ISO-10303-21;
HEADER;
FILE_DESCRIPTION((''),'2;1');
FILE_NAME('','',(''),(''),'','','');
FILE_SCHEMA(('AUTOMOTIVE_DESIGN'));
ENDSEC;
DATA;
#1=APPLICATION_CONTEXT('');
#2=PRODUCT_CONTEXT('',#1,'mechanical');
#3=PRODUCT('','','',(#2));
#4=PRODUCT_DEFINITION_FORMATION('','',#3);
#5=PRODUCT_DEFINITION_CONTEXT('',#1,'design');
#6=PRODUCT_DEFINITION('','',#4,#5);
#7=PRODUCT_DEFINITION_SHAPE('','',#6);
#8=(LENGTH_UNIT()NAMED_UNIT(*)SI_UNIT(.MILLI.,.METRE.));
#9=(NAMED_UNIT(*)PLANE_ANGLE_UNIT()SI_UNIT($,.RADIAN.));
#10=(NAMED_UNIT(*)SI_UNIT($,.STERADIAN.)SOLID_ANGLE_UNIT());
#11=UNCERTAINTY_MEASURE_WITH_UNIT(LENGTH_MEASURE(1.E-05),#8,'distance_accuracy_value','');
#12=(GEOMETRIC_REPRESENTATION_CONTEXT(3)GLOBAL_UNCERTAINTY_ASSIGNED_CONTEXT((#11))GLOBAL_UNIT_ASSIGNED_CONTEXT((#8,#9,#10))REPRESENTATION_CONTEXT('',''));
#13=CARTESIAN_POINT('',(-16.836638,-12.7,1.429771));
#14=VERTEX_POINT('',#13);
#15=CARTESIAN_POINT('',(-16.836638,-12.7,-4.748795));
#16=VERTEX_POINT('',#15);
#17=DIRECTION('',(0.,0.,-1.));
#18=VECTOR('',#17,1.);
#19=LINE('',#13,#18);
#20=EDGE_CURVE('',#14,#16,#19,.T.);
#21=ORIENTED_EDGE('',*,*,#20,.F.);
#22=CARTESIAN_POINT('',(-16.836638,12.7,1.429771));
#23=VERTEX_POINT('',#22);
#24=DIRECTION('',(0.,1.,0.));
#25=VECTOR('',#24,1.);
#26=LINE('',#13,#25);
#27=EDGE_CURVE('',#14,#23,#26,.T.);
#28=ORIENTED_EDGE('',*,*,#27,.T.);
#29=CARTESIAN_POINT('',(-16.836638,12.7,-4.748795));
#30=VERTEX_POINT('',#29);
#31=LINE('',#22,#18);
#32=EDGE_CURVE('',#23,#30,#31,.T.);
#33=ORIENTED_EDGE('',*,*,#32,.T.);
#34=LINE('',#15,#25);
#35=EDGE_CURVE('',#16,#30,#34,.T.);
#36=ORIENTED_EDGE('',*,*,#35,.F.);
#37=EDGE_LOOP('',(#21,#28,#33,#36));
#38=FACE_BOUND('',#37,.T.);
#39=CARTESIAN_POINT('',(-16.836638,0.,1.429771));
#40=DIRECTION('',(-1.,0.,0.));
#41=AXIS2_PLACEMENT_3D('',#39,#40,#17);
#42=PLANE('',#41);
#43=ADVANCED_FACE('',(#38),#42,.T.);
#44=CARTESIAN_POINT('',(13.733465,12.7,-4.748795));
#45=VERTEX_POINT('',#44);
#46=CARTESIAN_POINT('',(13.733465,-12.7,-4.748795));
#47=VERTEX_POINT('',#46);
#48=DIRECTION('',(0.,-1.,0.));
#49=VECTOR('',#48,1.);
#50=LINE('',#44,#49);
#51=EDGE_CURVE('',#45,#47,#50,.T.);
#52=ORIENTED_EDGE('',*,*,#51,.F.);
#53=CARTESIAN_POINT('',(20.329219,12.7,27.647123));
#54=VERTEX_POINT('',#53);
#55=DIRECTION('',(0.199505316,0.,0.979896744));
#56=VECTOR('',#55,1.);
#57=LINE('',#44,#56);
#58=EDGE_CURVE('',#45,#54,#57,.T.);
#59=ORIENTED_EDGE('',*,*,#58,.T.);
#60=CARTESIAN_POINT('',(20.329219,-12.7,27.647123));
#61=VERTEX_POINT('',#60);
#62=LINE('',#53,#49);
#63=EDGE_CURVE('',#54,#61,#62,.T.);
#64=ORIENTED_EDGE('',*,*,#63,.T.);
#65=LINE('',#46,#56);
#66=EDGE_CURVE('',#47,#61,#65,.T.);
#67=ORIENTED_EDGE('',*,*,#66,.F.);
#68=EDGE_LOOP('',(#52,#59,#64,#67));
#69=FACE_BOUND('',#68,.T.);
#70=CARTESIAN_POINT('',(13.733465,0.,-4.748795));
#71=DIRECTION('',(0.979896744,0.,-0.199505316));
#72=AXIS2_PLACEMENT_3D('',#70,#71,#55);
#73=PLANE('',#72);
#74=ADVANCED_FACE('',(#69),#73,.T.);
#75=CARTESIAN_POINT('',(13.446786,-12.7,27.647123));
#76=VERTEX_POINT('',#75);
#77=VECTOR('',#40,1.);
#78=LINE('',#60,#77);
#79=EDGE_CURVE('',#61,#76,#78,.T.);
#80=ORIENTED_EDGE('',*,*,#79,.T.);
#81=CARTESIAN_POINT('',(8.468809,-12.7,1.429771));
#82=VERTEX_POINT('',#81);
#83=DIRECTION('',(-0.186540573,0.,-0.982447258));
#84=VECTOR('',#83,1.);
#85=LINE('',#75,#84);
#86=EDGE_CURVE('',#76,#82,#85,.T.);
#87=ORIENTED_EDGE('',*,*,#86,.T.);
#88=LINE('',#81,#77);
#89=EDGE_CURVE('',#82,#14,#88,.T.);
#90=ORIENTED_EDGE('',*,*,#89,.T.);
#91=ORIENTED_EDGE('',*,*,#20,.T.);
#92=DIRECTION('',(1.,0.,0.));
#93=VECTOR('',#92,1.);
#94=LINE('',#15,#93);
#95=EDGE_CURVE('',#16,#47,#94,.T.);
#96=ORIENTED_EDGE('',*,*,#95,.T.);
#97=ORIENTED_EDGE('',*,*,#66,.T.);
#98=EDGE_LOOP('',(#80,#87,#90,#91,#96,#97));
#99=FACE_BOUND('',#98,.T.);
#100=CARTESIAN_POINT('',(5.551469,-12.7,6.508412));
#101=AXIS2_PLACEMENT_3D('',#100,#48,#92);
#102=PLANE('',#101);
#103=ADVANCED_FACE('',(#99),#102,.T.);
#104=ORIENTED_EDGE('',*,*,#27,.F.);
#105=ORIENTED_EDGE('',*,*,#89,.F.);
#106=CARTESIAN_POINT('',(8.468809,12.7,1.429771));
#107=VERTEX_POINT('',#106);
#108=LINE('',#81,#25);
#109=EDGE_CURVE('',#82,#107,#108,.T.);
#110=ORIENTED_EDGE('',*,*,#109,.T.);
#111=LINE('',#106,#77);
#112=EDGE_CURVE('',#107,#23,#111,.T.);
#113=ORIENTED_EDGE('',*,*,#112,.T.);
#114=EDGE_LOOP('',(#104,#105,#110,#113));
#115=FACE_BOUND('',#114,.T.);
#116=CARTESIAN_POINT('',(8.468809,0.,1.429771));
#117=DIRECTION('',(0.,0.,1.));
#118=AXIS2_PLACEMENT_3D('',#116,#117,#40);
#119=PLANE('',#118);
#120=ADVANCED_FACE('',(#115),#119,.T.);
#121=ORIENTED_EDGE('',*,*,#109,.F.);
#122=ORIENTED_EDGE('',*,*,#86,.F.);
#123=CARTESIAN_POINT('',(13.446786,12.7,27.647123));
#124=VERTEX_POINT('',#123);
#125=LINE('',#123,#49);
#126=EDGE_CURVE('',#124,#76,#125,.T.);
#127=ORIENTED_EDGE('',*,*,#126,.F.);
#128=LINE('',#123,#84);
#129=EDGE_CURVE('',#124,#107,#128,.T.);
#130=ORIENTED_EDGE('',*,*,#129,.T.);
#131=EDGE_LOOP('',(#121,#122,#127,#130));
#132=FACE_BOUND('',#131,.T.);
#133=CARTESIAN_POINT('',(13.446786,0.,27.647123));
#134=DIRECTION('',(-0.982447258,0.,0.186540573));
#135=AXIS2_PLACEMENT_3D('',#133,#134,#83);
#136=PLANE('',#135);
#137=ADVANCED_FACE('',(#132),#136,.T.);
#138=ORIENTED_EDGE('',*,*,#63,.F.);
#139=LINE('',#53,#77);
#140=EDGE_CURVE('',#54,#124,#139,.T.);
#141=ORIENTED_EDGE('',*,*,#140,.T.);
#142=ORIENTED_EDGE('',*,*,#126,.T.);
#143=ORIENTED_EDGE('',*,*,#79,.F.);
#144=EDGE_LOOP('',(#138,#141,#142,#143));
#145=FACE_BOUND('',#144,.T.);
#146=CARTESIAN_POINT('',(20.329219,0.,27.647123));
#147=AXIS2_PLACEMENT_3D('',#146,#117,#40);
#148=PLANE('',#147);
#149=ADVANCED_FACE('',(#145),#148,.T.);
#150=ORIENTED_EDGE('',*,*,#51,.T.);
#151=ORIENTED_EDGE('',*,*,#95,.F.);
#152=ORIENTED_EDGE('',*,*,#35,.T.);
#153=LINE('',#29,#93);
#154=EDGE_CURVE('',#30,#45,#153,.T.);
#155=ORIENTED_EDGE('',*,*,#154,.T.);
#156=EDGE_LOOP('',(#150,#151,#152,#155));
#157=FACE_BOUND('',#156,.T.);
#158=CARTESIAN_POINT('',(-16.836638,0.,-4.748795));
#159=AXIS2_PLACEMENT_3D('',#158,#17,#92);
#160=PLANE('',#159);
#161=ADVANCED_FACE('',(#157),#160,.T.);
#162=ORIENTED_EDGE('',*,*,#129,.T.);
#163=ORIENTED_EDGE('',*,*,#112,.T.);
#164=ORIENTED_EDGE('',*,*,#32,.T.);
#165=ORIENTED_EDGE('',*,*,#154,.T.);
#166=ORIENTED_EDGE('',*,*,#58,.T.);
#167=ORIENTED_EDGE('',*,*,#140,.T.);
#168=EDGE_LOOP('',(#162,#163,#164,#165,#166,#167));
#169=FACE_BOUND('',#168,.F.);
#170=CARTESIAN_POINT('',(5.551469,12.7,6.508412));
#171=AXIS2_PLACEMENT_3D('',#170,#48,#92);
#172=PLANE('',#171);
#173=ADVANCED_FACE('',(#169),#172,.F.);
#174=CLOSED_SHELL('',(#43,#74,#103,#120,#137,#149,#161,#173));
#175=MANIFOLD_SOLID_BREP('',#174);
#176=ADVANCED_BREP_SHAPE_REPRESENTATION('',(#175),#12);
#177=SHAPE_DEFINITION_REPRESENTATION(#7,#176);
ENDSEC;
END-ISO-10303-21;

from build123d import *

# Parameters (mm, degrees)
F1_DEPTH      = 12.7
F1_DEPTH_BACK = 12.7


with BuildPart() as f1:
    # F0 (on Front) → F1 (new body, two sides)
    with BuildSketch(Plane.XZ) as f1_sk:
        Polygon((-16.836638, -4.748795), (13.733465, -4.748795), (20.329219, 27.647123), (13.446786, 27.647123), (8.468809, 1.429771), (-16.836638, 1.429771), align=None)
    extrude(amount=F1_DEPTH)
    extrude(f1_sk.sketch, amount=-F1_DEPTH_BACK)


solid = f1.part
